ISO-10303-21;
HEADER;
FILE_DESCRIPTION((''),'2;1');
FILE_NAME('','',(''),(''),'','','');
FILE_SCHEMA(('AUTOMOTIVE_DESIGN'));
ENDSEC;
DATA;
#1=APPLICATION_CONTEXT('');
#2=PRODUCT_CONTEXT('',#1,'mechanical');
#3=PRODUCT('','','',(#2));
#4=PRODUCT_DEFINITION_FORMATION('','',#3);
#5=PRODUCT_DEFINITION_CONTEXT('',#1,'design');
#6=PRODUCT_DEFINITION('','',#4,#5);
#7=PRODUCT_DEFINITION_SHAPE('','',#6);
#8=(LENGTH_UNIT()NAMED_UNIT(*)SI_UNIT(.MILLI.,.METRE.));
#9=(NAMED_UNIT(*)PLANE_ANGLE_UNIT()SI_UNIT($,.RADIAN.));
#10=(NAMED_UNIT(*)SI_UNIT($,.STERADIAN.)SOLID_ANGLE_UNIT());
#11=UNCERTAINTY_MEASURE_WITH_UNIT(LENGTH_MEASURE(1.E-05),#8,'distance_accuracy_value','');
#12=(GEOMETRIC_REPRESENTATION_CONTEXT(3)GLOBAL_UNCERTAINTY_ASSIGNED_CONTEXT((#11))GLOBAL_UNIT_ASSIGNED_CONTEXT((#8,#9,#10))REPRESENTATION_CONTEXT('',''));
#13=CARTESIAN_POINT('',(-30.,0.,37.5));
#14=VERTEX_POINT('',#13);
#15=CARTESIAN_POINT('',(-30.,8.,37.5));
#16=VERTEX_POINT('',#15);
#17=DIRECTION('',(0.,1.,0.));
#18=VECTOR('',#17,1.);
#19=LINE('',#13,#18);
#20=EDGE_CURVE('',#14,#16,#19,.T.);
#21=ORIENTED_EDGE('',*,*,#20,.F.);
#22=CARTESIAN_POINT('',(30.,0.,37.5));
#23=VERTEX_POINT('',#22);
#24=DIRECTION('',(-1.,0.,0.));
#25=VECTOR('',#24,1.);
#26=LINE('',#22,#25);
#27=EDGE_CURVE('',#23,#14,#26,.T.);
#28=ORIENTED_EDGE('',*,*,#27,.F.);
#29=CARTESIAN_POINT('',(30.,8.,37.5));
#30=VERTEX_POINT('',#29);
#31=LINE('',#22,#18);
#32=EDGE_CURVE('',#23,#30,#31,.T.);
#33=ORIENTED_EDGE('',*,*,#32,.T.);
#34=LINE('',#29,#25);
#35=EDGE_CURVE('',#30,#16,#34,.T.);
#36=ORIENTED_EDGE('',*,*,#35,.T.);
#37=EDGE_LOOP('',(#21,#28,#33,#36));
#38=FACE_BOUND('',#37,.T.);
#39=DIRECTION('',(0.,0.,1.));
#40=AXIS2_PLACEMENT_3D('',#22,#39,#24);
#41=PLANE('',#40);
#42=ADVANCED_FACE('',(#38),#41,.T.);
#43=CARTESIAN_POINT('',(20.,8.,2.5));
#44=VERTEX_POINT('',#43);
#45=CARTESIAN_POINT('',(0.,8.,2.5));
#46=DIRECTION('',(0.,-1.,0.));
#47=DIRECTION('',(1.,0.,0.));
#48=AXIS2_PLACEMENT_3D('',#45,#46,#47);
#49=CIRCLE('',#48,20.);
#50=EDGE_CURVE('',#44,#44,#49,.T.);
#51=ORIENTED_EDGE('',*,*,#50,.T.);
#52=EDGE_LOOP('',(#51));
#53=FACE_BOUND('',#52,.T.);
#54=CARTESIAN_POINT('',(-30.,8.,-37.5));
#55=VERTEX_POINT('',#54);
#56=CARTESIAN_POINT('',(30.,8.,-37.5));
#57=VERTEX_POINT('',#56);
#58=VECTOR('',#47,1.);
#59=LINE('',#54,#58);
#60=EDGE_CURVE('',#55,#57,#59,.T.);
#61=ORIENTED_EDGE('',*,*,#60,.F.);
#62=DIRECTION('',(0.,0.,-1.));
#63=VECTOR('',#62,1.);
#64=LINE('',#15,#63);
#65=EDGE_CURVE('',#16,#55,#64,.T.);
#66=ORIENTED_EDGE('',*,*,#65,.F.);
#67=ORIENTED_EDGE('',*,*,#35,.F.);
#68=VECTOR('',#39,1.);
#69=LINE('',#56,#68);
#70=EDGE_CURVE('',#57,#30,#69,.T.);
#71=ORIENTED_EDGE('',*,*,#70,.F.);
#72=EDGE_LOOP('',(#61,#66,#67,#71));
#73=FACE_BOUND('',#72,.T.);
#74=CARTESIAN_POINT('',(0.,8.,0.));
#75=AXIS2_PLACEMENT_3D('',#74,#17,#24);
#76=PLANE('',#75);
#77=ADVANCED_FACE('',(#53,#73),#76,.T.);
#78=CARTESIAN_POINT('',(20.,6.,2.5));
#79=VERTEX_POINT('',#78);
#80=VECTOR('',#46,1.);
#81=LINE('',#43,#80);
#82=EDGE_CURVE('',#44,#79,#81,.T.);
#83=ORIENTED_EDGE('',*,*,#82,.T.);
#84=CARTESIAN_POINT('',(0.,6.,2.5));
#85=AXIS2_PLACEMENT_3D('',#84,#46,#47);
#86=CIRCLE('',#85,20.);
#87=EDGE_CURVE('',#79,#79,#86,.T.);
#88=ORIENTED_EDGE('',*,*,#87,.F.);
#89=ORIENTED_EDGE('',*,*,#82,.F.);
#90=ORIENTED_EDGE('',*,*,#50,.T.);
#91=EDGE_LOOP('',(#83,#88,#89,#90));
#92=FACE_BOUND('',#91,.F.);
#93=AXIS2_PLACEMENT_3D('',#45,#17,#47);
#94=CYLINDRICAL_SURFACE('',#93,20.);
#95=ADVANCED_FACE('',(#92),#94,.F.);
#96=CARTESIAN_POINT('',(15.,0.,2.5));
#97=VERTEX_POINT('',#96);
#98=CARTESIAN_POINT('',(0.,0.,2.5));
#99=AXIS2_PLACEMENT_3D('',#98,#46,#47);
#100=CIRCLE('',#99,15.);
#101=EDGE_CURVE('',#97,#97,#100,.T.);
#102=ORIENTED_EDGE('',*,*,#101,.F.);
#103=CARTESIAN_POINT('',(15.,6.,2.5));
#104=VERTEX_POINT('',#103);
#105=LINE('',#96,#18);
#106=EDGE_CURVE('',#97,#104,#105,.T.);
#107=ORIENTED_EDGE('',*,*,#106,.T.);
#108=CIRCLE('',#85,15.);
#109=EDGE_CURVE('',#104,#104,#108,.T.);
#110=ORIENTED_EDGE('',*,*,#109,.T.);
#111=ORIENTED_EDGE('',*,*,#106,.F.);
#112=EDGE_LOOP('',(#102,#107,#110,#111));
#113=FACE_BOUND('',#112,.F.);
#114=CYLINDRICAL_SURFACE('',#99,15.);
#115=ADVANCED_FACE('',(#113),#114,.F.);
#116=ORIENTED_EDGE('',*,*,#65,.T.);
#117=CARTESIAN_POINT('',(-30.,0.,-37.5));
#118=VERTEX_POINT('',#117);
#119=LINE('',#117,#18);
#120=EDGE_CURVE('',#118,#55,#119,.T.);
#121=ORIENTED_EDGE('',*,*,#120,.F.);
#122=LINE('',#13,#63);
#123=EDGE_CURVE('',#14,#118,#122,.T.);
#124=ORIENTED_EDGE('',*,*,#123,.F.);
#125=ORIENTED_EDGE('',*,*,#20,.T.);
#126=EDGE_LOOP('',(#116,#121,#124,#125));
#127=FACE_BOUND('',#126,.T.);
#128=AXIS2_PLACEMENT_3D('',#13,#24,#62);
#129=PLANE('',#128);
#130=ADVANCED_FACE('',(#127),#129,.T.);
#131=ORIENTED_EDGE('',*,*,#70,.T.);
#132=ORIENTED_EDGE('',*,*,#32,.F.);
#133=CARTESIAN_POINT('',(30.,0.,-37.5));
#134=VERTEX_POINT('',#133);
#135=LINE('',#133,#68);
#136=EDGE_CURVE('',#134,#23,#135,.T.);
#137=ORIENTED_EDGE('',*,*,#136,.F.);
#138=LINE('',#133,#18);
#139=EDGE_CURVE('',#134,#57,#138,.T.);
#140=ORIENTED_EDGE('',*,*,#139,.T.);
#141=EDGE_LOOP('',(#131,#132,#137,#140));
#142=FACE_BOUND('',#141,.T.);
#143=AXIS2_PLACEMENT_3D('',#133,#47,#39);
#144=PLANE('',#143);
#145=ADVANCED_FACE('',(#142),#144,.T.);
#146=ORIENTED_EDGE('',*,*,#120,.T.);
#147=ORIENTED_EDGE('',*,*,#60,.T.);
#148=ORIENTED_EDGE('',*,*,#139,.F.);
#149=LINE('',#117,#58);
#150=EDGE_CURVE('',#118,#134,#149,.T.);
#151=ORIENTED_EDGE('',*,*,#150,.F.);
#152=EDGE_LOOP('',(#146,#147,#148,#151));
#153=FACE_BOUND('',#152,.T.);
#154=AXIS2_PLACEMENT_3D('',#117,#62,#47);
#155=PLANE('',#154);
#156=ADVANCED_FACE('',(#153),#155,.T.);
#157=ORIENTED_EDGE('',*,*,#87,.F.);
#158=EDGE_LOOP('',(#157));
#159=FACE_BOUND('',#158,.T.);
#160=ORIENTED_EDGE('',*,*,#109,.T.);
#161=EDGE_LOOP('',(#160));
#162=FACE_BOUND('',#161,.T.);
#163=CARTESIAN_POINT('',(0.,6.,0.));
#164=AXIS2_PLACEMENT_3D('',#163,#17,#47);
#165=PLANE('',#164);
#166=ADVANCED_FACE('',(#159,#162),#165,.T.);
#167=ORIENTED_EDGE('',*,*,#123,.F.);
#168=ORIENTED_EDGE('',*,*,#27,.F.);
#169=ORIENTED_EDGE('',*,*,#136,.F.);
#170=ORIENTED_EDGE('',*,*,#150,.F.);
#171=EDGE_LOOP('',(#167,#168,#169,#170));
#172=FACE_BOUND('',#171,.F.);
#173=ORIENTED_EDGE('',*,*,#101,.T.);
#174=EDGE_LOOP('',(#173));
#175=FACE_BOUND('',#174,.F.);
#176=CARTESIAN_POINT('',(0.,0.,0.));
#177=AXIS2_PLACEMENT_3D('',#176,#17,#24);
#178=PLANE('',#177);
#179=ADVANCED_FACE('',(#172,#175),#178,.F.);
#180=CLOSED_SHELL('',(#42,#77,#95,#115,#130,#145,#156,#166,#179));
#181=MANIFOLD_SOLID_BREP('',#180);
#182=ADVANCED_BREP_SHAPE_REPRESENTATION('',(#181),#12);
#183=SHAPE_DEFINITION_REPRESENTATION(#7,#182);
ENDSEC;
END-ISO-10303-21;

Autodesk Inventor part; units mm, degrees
ref_plane "YZ Plane" through (0, 0, 0) normal (1, 0, 0) x (0, 1, 0)
ref_plane "XZ Plane" through (0, 0, 0) normal (0, 1, 0) x (-1, 0, 0)
ref_plane "XY Plane" through (0, 0, 0) normal (0, 0, 1) x (1, 0, 0)
sketch "Szkic1" plane through (0, 0, 0) normal (0, 1, 0) x (-1, 0, 0)
  line L0 (-30, 37.5) -> (30, 37.5)
  line L1 (30, 37.5) -> (30, -37.5)
  line L2 (30, -37.5) -> (-30, -37.5)
  line L3 (-30, -37.5) -> (-30, 37.5)
  line L4 (-30, 37.5) -> (30, -37.5) construction
  line L5 (30, 37.5) -> (-30, -37.5) construction
  point P0 (0, 0)
  dimension "d0" = 60
  dimension "d1" = 75
extrude "Wyciągnięcie proste1" add sketch "Szkic1" along normal blind 8
sketch "Szkic2" plane through (0, 8, 0) normal (0, 1, 0) x (1, 0, 0)
  line L0 (-30, -37.5) -> (30, -37.5) projected
  line L1 (0, -37.5) -> (0, -2.5)
  circle A0 centre (0, -2.5) radius 20
  point P0 (0, 0)
  dimension "d4" = 35
  dimension "d5" = 40
extrude "Wyciągnięcie proste2" cut sketch "Szkic2" against normal blind 2
sketch "Szkic3" plane through (0, 6, 2.5) normal (0, 1, 0) x (1, 0, 0)
  circle A0 centre (0, 0) radius 20 projected
  circle A1 centre (0, 0) radius 5
  point P0 (0, 2.5)
  dimension "d8" = 10
extrude "Wyciągnięcie proste3" cut sketch "Szkic3" against normal up to next contours A1
sketch "Szkic4" plane through (0, 0, 0) normal (0, -1, 0) x (1, 0, 0)
  circle A0 centre (0, 2.5) radius 5 projected
  circle A1 centre (0, 2.5) radius 15
  point P0 (0, 0)
  dimension "d11" = 30
extrude "Wyciągnięcie proste4" cut sketch "Szkic4" against normal up to next
properties part number "Uchwyt silnika krokowego osi Z - płaski"
